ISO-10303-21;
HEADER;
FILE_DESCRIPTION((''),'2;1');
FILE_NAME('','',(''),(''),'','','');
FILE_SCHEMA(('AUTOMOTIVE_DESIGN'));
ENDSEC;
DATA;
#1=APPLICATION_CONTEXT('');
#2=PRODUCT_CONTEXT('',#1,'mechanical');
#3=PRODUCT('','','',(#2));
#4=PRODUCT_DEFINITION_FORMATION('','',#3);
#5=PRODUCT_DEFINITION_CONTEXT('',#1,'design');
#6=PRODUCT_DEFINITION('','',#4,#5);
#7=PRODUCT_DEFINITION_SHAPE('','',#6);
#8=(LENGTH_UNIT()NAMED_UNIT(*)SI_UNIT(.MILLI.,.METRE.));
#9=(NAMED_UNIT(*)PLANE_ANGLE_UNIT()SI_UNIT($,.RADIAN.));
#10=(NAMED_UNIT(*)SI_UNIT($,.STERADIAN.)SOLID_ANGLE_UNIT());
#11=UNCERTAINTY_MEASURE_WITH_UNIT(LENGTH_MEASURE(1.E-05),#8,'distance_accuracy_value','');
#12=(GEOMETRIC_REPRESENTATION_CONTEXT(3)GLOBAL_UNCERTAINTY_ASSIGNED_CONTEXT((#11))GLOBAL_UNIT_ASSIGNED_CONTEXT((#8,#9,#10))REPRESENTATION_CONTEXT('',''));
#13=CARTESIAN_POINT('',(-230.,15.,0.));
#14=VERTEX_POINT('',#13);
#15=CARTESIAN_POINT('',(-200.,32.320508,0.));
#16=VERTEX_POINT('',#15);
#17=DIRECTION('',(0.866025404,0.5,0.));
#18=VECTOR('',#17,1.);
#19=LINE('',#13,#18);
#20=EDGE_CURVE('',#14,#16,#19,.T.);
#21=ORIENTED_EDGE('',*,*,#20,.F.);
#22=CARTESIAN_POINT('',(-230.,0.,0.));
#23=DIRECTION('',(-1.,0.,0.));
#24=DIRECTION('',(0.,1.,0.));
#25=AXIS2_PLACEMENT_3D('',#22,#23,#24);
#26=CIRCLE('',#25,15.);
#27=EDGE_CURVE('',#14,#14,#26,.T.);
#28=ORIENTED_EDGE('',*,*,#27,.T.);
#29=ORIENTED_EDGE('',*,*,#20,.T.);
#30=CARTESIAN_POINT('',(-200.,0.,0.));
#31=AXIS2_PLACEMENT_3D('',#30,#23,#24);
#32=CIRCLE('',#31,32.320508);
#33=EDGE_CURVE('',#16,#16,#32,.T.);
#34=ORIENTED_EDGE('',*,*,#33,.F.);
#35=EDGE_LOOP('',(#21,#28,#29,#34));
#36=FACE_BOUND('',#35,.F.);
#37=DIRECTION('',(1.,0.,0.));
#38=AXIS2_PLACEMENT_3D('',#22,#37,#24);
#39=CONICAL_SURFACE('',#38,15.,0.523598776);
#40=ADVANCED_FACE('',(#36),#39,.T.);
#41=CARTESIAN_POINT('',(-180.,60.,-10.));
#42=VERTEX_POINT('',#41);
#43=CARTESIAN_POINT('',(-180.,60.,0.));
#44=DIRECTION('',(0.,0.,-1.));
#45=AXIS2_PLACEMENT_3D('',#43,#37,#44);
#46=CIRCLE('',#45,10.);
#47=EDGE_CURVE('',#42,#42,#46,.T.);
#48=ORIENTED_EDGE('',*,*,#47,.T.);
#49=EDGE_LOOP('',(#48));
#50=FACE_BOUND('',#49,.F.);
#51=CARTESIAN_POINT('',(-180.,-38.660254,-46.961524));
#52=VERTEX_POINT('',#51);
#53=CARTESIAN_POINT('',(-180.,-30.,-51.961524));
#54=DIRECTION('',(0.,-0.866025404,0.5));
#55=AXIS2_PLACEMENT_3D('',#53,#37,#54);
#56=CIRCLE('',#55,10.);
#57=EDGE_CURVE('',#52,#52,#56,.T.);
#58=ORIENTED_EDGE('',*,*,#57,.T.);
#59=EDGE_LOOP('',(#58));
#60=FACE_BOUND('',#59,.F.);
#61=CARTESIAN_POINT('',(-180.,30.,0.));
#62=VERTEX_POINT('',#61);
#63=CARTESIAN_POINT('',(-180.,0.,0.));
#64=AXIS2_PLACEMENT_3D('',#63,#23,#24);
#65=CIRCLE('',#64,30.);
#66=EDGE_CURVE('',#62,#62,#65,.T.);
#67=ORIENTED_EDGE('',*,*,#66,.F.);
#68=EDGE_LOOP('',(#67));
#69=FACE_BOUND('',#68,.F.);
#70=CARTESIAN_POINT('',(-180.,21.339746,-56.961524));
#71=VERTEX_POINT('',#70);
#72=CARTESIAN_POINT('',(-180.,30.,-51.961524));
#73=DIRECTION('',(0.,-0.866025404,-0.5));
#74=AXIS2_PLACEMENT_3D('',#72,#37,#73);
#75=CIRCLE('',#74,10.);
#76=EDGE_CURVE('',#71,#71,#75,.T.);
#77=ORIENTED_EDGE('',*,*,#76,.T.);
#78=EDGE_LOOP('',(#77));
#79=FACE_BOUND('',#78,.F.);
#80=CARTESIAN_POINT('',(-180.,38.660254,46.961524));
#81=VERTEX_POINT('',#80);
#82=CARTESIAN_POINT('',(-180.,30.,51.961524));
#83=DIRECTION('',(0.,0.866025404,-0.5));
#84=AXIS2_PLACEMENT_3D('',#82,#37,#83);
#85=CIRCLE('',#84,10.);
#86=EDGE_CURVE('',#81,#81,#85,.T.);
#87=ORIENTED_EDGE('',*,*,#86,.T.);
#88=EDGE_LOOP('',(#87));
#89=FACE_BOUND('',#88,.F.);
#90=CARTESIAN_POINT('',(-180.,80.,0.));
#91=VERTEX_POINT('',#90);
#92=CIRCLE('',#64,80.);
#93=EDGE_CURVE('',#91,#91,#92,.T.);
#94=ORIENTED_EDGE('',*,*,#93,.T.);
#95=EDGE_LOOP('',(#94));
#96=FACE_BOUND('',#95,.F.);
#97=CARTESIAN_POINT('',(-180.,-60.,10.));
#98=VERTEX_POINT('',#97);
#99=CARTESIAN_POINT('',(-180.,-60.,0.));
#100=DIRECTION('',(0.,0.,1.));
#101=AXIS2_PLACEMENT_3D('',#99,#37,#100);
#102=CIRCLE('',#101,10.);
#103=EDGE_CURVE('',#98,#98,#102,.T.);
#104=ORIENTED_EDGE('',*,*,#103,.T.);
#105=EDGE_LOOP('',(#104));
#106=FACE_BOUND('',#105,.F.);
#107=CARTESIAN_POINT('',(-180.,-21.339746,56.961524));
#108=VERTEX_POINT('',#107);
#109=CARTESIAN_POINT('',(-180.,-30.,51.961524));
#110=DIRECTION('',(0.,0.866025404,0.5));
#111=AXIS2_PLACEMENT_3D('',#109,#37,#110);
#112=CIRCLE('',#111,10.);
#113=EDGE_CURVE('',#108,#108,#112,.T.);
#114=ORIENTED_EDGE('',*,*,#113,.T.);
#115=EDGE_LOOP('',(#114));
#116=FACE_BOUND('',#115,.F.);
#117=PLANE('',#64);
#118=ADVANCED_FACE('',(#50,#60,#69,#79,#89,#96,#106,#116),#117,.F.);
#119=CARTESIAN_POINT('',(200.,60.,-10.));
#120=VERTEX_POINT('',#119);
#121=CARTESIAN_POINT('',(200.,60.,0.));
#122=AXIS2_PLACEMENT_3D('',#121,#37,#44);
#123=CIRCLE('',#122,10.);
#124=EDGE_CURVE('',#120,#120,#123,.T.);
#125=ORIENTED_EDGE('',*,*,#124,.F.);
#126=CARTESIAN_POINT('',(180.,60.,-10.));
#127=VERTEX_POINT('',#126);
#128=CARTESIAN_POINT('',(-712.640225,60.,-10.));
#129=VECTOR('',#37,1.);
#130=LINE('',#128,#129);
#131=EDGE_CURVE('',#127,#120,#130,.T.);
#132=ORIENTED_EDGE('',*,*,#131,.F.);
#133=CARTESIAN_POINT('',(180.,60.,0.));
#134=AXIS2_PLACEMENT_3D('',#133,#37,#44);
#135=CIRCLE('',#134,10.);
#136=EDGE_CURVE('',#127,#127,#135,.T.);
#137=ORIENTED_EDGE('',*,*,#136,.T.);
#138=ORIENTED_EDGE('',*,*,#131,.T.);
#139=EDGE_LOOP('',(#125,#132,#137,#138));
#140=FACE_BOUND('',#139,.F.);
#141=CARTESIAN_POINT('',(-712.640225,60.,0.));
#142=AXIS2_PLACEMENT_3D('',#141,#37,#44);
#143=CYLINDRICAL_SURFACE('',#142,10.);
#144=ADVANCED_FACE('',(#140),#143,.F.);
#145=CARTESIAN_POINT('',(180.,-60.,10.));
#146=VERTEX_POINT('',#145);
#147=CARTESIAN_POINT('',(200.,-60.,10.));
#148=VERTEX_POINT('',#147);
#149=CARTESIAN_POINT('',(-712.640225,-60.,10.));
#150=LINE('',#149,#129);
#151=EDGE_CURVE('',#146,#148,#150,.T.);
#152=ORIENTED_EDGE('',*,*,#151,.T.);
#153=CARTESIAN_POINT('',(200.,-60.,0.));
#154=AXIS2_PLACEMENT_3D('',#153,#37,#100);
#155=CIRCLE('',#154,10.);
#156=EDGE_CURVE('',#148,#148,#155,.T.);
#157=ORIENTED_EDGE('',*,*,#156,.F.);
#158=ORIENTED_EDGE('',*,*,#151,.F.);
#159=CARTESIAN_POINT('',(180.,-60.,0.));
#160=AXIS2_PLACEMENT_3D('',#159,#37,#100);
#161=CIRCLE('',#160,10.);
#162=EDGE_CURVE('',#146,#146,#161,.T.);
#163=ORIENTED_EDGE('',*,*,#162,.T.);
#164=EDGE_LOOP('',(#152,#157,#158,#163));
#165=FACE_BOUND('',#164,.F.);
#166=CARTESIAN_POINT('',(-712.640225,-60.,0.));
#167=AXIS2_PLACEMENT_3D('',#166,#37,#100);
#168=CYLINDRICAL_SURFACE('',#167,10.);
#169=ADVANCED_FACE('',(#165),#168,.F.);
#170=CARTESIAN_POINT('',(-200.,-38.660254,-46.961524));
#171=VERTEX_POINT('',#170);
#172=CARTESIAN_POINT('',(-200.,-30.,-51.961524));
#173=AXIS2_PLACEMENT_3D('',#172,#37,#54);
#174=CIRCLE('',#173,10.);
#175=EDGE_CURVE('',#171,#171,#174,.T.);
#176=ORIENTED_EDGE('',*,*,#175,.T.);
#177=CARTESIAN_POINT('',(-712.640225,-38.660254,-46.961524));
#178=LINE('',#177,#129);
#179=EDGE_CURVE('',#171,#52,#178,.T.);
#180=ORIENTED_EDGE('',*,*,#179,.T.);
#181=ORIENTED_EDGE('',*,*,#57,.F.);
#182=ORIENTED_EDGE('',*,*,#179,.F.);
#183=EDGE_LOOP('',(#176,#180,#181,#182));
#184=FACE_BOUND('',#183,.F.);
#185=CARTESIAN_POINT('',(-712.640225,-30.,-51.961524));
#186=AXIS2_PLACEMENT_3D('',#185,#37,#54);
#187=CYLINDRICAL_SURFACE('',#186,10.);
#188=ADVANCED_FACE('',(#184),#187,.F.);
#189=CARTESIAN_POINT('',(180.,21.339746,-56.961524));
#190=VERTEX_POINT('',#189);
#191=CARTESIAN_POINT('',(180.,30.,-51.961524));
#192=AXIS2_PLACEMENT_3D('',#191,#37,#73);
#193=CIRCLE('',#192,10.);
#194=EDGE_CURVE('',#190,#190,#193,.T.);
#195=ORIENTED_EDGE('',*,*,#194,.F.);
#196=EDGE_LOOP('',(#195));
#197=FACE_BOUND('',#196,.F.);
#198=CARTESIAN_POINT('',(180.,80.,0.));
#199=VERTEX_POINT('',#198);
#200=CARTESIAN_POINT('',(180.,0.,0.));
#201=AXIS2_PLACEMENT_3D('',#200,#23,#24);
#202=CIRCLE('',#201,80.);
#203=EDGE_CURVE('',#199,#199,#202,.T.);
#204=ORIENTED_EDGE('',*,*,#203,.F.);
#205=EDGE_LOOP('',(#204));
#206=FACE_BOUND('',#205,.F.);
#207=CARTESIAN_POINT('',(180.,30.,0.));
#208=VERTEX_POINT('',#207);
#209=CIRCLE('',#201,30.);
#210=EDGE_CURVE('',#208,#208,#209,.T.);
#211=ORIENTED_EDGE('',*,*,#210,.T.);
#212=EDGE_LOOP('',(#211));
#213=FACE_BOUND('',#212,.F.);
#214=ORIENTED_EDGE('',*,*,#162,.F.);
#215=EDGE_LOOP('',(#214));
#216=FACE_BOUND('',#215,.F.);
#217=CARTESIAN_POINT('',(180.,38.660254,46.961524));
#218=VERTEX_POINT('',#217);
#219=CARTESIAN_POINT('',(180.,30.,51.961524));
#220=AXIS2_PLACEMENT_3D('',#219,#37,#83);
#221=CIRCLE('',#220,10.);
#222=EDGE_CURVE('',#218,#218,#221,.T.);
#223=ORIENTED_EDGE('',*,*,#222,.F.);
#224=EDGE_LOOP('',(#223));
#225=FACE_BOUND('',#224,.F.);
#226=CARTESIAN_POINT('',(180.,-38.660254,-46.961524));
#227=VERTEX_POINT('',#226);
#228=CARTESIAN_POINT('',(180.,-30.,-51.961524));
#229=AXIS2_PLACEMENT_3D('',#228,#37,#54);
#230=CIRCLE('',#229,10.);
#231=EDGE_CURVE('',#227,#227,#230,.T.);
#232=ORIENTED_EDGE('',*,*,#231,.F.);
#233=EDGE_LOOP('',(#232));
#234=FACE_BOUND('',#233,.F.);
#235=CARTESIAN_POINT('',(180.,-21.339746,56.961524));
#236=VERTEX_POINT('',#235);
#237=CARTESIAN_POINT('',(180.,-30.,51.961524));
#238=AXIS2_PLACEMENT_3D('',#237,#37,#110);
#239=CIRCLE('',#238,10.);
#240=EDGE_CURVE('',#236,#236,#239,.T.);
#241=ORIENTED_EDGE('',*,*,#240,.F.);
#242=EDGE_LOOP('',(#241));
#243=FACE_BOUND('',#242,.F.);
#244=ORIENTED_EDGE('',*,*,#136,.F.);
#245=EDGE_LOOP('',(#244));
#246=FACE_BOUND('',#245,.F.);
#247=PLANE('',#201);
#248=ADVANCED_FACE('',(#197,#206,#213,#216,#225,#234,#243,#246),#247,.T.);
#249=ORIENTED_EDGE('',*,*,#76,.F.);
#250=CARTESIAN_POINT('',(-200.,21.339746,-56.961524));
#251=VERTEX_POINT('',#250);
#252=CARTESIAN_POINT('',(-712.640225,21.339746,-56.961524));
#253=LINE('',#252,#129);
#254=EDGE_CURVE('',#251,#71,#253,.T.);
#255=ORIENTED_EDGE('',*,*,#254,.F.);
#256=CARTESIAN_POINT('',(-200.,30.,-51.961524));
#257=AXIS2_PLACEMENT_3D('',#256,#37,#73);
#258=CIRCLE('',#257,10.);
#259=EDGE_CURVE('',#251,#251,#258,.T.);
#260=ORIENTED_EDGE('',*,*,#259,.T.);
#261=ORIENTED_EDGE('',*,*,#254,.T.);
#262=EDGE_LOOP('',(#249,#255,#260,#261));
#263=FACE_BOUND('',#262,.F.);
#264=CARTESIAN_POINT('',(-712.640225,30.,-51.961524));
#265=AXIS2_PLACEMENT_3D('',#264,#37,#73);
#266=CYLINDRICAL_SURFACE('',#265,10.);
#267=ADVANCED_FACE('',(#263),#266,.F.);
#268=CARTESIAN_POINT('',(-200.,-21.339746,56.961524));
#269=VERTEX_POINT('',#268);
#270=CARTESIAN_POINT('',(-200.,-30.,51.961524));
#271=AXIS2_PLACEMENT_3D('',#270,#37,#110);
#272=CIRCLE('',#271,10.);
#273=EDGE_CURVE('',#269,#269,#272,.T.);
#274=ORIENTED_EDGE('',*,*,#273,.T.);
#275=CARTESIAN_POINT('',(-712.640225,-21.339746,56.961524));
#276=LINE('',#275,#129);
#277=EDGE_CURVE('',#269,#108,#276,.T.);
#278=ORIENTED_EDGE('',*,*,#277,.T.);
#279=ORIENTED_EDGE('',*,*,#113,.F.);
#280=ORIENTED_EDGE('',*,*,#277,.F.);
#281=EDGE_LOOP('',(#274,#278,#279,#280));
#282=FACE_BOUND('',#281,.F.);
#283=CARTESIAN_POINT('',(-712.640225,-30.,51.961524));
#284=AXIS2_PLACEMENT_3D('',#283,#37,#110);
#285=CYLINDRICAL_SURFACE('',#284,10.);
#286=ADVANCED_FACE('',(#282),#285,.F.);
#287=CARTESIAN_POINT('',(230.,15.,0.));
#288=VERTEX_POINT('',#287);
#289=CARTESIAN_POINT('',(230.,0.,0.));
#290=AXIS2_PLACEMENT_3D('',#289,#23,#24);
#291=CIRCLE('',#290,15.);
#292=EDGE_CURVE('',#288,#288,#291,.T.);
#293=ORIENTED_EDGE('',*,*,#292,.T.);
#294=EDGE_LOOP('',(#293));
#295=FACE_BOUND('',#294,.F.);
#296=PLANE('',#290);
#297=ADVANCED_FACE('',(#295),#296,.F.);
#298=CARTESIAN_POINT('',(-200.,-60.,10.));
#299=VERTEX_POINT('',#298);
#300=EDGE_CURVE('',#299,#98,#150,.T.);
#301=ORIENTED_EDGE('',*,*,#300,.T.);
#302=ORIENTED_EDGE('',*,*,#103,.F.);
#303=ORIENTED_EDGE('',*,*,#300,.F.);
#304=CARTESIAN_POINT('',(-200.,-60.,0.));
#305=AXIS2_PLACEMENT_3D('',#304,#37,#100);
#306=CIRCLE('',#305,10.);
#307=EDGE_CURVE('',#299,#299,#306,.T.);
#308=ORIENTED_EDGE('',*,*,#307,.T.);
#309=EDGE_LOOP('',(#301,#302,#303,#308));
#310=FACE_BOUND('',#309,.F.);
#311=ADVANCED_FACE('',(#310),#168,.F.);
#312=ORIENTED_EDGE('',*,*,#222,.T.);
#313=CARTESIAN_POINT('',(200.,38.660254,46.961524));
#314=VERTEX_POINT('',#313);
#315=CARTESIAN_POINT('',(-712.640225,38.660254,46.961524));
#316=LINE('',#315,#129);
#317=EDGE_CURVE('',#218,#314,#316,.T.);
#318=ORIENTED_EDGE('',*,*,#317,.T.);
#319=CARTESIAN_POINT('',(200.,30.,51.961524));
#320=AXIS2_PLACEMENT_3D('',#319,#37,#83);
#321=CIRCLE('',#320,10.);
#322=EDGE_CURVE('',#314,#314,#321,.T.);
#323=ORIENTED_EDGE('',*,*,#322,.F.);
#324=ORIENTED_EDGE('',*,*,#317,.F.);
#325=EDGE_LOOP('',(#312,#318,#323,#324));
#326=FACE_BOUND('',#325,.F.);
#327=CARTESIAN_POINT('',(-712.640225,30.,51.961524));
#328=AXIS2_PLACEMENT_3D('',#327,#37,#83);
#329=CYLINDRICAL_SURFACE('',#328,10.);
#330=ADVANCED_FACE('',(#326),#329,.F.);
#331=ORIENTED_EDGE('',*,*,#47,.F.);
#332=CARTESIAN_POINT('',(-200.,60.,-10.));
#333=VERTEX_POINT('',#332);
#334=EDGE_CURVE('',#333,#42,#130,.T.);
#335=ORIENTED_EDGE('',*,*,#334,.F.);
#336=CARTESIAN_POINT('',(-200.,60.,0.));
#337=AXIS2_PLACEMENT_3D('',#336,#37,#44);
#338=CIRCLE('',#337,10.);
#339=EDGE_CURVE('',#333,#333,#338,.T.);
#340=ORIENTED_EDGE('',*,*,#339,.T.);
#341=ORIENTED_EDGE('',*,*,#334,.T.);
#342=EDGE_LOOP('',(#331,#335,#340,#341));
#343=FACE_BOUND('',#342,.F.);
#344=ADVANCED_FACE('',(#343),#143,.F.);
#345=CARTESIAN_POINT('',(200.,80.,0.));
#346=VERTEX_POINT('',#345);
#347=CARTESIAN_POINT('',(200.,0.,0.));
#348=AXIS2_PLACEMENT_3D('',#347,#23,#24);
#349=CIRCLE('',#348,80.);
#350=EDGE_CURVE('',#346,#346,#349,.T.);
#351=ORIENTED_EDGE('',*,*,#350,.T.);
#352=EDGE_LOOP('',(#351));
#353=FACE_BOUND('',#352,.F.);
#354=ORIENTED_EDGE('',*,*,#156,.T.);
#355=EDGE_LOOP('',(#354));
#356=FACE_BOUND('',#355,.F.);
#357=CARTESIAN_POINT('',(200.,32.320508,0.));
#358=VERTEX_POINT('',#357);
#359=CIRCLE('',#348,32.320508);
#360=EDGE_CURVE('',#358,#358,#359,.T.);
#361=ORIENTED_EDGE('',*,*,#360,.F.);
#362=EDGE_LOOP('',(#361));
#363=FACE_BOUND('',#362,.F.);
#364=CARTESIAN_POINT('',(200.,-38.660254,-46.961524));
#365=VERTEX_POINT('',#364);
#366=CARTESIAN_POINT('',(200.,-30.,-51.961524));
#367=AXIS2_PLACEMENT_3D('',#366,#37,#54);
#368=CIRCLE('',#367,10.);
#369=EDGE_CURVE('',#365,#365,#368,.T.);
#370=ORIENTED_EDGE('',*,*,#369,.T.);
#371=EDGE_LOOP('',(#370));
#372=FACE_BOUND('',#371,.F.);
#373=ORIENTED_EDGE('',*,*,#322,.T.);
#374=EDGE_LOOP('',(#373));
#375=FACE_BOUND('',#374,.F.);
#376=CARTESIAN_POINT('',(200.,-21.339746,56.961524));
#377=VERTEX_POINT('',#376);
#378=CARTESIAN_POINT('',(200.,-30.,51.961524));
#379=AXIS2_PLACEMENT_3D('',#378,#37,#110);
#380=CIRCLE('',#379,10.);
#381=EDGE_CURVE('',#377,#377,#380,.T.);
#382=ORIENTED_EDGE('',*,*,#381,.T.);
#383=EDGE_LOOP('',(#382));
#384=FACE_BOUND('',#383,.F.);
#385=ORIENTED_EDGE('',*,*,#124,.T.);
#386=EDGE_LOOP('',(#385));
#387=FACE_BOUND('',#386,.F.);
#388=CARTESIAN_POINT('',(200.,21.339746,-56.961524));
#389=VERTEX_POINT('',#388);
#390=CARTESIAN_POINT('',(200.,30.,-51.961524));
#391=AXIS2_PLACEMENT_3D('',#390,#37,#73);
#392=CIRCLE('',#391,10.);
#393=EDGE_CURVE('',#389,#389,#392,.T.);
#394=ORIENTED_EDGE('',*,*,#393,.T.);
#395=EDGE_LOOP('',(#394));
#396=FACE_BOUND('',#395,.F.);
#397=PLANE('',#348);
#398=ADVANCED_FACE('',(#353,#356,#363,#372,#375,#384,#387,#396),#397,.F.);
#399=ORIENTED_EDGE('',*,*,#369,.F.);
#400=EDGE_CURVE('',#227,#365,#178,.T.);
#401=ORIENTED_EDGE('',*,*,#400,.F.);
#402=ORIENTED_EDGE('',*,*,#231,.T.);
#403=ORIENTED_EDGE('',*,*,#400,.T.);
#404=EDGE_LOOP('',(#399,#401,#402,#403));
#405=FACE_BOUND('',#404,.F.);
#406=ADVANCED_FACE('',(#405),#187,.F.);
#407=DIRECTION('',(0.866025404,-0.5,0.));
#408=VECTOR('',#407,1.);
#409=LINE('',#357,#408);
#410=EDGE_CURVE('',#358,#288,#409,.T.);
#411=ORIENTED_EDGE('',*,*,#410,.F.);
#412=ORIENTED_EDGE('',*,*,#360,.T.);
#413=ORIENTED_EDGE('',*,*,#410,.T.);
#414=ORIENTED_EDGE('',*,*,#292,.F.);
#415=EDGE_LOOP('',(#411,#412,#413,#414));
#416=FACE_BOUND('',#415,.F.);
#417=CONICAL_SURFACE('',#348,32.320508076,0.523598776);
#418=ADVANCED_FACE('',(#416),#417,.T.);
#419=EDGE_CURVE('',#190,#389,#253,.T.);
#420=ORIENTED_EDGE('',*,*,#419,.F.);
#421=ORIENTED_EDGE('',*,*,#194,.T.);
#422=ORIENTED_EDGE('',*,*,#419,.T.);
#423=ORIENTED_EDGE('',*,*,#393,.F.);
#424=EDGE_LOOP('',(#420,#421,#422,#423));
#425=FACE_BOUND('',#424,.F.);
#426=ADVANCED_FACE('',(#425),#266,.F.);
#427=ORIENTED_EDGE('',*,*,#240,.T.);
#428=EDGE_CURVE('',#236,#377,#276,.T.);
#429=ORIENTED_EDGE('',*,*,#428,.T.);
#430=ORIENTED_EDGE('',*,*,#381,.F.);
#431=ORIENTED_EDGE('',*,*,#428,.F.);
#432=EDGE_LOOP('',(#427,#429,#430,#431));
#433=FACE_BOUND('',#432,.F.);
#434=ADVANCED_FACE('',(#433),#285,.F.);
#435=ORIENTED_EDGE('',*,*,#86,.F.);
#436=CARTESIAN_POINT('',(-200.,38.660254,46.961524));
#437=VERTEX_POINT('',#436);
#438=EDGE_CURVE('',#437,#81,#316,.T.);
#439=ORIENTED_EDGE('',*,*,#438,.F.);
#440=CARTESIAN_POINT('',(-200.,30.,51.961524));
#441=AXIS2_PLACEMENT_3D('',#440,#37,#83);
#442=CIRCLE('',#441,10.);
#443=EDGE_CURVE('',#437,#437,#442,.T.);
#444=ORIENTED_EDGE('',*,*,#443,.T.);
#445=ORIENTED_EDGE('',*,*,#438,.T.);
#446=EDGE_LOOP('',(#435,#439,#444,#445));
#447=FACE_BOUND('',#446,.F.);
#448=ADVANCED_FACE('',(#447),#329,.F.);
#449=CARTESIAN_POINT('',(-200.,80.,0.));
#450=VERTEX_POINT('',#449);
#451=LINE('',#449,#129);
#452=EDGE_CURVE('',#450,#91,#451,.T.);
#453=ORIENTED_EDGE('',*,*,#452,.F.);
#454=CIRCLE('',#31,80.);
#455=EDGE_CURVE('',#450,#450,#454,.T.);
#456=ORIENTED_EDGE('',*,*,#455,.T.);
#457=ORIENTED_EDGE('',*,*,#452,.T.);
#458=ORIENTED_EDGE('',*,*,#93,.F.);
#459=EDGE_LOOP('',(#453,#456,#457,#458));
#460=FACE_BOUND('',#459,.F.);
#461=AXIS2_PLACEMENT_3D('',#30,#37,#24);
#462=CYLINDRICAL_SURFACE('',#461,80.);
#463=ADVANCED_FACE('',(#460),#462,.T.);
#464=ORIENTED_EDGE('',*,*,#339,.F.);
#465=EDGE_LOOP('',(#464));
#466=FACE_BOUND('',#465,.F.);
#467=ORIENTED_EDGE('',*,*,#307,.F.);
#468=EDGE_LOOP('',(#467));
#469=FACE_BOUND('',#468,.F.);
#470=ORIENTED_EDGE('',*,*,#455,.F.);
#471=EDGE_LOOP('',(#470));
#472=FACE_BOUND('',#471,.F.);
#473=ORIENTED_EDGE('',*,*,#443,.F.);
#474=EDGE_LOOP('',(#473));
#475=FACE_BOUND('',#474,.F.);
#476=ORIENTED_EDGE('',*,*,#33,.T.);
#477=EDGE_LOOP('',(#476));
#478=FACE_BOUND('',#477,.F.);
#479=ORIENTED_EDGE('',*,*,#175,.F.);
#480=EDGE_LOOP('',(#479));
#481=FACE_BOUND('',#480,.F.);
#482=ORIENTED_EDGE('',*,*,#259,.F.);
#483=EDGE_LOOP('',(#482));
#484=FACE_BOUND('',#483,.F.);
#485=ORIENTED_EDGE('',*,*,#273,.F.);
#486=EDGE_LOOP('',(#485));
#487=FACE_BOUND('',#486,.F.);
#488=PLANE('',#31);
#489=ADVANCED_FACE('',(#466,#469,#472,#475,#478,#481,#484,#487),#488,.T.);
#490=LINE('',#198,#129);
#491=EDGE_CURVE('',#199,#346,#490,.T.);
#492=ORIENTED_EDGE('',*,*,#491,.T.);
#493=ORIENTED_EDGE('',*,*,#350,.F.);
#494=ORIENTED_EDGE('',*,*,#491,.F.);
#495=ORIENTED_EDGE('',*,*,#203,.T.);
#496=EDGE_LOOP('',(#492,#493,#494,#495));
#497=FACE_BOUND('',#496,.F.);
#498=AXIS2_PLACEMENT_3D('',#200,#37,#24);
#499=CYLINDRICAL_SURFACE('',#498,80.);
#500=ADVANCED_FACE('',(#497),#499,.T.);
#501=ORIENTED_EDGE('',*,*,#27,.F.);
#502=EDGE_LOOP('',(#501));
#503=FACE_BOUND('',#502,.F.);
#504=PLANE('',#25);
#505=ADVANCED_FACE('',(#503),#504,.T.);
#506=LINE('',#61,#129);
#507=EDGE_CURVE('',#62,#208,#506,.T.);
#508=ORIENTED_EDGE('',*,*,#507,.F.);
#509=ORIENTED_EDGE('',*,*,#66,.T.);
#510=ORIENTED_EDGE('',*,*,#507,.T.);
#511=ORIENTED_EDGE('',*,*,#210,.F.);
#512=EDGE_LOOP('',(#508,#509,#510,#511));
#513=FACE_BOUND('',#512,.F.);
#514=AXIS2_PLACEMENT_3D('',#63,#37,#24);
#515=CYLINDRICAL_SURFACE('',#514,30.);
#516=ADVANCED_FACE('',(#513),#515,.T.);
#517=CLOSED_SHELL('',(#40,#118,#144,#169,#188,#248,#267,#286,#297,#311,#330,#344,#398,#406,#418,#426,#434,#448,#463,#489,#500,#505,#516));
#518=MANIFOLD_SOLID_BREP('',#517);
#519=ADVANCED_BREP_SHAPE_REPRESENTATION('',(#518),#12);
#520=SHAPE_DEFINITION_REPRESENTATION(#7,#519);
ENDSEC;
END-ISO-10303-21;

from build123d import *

# Parameters (mm, degrees)
F_1_0MM_DOWEL_HOLE1_D = 20
CIRPATTERN1_COUNT     = 6


with BuildPart() as part:
    # Sketch1 → Revolve1 (revolve)
    with BuildSketch(Plane.XY):
        Polygon((-230, 0), (-230, 15), (-200, 32.320508076), (-200, 80), (-180, 80), (-180, 30), (180, 30), (180, 80), (200, 80), (200, 32.320508076), (230, 15), (230, 0), align=None)
    revolve(axis=Axis((230, 0, 0), (-1, 0, 0)))

    # Ø1.0mm Dowel Hole1 (through all)
    with Locations(Plane.ZY.offset(200)):
        with Locations((0, 60)):
            f_1_0mm_dowel_hole1 = Hole(F_1_0MM_DOWEL_HOLE1_D / 2)

    # CirPattern1: Ø1.0mm Dowel Hole1 ×6 about axis
    cirpattern1_axis = Axis((0, 0, 0), (1, 0, 0))
    for i in range(1, CIRPATTERN1_COUNT):
        add(f_1_0mm_dowel_hole1.rotate(cirpattern1_axis, i * 360 / CIRPATTERN1_COUNT), mode=Mode.SUBTRACT)


solid = part.part
